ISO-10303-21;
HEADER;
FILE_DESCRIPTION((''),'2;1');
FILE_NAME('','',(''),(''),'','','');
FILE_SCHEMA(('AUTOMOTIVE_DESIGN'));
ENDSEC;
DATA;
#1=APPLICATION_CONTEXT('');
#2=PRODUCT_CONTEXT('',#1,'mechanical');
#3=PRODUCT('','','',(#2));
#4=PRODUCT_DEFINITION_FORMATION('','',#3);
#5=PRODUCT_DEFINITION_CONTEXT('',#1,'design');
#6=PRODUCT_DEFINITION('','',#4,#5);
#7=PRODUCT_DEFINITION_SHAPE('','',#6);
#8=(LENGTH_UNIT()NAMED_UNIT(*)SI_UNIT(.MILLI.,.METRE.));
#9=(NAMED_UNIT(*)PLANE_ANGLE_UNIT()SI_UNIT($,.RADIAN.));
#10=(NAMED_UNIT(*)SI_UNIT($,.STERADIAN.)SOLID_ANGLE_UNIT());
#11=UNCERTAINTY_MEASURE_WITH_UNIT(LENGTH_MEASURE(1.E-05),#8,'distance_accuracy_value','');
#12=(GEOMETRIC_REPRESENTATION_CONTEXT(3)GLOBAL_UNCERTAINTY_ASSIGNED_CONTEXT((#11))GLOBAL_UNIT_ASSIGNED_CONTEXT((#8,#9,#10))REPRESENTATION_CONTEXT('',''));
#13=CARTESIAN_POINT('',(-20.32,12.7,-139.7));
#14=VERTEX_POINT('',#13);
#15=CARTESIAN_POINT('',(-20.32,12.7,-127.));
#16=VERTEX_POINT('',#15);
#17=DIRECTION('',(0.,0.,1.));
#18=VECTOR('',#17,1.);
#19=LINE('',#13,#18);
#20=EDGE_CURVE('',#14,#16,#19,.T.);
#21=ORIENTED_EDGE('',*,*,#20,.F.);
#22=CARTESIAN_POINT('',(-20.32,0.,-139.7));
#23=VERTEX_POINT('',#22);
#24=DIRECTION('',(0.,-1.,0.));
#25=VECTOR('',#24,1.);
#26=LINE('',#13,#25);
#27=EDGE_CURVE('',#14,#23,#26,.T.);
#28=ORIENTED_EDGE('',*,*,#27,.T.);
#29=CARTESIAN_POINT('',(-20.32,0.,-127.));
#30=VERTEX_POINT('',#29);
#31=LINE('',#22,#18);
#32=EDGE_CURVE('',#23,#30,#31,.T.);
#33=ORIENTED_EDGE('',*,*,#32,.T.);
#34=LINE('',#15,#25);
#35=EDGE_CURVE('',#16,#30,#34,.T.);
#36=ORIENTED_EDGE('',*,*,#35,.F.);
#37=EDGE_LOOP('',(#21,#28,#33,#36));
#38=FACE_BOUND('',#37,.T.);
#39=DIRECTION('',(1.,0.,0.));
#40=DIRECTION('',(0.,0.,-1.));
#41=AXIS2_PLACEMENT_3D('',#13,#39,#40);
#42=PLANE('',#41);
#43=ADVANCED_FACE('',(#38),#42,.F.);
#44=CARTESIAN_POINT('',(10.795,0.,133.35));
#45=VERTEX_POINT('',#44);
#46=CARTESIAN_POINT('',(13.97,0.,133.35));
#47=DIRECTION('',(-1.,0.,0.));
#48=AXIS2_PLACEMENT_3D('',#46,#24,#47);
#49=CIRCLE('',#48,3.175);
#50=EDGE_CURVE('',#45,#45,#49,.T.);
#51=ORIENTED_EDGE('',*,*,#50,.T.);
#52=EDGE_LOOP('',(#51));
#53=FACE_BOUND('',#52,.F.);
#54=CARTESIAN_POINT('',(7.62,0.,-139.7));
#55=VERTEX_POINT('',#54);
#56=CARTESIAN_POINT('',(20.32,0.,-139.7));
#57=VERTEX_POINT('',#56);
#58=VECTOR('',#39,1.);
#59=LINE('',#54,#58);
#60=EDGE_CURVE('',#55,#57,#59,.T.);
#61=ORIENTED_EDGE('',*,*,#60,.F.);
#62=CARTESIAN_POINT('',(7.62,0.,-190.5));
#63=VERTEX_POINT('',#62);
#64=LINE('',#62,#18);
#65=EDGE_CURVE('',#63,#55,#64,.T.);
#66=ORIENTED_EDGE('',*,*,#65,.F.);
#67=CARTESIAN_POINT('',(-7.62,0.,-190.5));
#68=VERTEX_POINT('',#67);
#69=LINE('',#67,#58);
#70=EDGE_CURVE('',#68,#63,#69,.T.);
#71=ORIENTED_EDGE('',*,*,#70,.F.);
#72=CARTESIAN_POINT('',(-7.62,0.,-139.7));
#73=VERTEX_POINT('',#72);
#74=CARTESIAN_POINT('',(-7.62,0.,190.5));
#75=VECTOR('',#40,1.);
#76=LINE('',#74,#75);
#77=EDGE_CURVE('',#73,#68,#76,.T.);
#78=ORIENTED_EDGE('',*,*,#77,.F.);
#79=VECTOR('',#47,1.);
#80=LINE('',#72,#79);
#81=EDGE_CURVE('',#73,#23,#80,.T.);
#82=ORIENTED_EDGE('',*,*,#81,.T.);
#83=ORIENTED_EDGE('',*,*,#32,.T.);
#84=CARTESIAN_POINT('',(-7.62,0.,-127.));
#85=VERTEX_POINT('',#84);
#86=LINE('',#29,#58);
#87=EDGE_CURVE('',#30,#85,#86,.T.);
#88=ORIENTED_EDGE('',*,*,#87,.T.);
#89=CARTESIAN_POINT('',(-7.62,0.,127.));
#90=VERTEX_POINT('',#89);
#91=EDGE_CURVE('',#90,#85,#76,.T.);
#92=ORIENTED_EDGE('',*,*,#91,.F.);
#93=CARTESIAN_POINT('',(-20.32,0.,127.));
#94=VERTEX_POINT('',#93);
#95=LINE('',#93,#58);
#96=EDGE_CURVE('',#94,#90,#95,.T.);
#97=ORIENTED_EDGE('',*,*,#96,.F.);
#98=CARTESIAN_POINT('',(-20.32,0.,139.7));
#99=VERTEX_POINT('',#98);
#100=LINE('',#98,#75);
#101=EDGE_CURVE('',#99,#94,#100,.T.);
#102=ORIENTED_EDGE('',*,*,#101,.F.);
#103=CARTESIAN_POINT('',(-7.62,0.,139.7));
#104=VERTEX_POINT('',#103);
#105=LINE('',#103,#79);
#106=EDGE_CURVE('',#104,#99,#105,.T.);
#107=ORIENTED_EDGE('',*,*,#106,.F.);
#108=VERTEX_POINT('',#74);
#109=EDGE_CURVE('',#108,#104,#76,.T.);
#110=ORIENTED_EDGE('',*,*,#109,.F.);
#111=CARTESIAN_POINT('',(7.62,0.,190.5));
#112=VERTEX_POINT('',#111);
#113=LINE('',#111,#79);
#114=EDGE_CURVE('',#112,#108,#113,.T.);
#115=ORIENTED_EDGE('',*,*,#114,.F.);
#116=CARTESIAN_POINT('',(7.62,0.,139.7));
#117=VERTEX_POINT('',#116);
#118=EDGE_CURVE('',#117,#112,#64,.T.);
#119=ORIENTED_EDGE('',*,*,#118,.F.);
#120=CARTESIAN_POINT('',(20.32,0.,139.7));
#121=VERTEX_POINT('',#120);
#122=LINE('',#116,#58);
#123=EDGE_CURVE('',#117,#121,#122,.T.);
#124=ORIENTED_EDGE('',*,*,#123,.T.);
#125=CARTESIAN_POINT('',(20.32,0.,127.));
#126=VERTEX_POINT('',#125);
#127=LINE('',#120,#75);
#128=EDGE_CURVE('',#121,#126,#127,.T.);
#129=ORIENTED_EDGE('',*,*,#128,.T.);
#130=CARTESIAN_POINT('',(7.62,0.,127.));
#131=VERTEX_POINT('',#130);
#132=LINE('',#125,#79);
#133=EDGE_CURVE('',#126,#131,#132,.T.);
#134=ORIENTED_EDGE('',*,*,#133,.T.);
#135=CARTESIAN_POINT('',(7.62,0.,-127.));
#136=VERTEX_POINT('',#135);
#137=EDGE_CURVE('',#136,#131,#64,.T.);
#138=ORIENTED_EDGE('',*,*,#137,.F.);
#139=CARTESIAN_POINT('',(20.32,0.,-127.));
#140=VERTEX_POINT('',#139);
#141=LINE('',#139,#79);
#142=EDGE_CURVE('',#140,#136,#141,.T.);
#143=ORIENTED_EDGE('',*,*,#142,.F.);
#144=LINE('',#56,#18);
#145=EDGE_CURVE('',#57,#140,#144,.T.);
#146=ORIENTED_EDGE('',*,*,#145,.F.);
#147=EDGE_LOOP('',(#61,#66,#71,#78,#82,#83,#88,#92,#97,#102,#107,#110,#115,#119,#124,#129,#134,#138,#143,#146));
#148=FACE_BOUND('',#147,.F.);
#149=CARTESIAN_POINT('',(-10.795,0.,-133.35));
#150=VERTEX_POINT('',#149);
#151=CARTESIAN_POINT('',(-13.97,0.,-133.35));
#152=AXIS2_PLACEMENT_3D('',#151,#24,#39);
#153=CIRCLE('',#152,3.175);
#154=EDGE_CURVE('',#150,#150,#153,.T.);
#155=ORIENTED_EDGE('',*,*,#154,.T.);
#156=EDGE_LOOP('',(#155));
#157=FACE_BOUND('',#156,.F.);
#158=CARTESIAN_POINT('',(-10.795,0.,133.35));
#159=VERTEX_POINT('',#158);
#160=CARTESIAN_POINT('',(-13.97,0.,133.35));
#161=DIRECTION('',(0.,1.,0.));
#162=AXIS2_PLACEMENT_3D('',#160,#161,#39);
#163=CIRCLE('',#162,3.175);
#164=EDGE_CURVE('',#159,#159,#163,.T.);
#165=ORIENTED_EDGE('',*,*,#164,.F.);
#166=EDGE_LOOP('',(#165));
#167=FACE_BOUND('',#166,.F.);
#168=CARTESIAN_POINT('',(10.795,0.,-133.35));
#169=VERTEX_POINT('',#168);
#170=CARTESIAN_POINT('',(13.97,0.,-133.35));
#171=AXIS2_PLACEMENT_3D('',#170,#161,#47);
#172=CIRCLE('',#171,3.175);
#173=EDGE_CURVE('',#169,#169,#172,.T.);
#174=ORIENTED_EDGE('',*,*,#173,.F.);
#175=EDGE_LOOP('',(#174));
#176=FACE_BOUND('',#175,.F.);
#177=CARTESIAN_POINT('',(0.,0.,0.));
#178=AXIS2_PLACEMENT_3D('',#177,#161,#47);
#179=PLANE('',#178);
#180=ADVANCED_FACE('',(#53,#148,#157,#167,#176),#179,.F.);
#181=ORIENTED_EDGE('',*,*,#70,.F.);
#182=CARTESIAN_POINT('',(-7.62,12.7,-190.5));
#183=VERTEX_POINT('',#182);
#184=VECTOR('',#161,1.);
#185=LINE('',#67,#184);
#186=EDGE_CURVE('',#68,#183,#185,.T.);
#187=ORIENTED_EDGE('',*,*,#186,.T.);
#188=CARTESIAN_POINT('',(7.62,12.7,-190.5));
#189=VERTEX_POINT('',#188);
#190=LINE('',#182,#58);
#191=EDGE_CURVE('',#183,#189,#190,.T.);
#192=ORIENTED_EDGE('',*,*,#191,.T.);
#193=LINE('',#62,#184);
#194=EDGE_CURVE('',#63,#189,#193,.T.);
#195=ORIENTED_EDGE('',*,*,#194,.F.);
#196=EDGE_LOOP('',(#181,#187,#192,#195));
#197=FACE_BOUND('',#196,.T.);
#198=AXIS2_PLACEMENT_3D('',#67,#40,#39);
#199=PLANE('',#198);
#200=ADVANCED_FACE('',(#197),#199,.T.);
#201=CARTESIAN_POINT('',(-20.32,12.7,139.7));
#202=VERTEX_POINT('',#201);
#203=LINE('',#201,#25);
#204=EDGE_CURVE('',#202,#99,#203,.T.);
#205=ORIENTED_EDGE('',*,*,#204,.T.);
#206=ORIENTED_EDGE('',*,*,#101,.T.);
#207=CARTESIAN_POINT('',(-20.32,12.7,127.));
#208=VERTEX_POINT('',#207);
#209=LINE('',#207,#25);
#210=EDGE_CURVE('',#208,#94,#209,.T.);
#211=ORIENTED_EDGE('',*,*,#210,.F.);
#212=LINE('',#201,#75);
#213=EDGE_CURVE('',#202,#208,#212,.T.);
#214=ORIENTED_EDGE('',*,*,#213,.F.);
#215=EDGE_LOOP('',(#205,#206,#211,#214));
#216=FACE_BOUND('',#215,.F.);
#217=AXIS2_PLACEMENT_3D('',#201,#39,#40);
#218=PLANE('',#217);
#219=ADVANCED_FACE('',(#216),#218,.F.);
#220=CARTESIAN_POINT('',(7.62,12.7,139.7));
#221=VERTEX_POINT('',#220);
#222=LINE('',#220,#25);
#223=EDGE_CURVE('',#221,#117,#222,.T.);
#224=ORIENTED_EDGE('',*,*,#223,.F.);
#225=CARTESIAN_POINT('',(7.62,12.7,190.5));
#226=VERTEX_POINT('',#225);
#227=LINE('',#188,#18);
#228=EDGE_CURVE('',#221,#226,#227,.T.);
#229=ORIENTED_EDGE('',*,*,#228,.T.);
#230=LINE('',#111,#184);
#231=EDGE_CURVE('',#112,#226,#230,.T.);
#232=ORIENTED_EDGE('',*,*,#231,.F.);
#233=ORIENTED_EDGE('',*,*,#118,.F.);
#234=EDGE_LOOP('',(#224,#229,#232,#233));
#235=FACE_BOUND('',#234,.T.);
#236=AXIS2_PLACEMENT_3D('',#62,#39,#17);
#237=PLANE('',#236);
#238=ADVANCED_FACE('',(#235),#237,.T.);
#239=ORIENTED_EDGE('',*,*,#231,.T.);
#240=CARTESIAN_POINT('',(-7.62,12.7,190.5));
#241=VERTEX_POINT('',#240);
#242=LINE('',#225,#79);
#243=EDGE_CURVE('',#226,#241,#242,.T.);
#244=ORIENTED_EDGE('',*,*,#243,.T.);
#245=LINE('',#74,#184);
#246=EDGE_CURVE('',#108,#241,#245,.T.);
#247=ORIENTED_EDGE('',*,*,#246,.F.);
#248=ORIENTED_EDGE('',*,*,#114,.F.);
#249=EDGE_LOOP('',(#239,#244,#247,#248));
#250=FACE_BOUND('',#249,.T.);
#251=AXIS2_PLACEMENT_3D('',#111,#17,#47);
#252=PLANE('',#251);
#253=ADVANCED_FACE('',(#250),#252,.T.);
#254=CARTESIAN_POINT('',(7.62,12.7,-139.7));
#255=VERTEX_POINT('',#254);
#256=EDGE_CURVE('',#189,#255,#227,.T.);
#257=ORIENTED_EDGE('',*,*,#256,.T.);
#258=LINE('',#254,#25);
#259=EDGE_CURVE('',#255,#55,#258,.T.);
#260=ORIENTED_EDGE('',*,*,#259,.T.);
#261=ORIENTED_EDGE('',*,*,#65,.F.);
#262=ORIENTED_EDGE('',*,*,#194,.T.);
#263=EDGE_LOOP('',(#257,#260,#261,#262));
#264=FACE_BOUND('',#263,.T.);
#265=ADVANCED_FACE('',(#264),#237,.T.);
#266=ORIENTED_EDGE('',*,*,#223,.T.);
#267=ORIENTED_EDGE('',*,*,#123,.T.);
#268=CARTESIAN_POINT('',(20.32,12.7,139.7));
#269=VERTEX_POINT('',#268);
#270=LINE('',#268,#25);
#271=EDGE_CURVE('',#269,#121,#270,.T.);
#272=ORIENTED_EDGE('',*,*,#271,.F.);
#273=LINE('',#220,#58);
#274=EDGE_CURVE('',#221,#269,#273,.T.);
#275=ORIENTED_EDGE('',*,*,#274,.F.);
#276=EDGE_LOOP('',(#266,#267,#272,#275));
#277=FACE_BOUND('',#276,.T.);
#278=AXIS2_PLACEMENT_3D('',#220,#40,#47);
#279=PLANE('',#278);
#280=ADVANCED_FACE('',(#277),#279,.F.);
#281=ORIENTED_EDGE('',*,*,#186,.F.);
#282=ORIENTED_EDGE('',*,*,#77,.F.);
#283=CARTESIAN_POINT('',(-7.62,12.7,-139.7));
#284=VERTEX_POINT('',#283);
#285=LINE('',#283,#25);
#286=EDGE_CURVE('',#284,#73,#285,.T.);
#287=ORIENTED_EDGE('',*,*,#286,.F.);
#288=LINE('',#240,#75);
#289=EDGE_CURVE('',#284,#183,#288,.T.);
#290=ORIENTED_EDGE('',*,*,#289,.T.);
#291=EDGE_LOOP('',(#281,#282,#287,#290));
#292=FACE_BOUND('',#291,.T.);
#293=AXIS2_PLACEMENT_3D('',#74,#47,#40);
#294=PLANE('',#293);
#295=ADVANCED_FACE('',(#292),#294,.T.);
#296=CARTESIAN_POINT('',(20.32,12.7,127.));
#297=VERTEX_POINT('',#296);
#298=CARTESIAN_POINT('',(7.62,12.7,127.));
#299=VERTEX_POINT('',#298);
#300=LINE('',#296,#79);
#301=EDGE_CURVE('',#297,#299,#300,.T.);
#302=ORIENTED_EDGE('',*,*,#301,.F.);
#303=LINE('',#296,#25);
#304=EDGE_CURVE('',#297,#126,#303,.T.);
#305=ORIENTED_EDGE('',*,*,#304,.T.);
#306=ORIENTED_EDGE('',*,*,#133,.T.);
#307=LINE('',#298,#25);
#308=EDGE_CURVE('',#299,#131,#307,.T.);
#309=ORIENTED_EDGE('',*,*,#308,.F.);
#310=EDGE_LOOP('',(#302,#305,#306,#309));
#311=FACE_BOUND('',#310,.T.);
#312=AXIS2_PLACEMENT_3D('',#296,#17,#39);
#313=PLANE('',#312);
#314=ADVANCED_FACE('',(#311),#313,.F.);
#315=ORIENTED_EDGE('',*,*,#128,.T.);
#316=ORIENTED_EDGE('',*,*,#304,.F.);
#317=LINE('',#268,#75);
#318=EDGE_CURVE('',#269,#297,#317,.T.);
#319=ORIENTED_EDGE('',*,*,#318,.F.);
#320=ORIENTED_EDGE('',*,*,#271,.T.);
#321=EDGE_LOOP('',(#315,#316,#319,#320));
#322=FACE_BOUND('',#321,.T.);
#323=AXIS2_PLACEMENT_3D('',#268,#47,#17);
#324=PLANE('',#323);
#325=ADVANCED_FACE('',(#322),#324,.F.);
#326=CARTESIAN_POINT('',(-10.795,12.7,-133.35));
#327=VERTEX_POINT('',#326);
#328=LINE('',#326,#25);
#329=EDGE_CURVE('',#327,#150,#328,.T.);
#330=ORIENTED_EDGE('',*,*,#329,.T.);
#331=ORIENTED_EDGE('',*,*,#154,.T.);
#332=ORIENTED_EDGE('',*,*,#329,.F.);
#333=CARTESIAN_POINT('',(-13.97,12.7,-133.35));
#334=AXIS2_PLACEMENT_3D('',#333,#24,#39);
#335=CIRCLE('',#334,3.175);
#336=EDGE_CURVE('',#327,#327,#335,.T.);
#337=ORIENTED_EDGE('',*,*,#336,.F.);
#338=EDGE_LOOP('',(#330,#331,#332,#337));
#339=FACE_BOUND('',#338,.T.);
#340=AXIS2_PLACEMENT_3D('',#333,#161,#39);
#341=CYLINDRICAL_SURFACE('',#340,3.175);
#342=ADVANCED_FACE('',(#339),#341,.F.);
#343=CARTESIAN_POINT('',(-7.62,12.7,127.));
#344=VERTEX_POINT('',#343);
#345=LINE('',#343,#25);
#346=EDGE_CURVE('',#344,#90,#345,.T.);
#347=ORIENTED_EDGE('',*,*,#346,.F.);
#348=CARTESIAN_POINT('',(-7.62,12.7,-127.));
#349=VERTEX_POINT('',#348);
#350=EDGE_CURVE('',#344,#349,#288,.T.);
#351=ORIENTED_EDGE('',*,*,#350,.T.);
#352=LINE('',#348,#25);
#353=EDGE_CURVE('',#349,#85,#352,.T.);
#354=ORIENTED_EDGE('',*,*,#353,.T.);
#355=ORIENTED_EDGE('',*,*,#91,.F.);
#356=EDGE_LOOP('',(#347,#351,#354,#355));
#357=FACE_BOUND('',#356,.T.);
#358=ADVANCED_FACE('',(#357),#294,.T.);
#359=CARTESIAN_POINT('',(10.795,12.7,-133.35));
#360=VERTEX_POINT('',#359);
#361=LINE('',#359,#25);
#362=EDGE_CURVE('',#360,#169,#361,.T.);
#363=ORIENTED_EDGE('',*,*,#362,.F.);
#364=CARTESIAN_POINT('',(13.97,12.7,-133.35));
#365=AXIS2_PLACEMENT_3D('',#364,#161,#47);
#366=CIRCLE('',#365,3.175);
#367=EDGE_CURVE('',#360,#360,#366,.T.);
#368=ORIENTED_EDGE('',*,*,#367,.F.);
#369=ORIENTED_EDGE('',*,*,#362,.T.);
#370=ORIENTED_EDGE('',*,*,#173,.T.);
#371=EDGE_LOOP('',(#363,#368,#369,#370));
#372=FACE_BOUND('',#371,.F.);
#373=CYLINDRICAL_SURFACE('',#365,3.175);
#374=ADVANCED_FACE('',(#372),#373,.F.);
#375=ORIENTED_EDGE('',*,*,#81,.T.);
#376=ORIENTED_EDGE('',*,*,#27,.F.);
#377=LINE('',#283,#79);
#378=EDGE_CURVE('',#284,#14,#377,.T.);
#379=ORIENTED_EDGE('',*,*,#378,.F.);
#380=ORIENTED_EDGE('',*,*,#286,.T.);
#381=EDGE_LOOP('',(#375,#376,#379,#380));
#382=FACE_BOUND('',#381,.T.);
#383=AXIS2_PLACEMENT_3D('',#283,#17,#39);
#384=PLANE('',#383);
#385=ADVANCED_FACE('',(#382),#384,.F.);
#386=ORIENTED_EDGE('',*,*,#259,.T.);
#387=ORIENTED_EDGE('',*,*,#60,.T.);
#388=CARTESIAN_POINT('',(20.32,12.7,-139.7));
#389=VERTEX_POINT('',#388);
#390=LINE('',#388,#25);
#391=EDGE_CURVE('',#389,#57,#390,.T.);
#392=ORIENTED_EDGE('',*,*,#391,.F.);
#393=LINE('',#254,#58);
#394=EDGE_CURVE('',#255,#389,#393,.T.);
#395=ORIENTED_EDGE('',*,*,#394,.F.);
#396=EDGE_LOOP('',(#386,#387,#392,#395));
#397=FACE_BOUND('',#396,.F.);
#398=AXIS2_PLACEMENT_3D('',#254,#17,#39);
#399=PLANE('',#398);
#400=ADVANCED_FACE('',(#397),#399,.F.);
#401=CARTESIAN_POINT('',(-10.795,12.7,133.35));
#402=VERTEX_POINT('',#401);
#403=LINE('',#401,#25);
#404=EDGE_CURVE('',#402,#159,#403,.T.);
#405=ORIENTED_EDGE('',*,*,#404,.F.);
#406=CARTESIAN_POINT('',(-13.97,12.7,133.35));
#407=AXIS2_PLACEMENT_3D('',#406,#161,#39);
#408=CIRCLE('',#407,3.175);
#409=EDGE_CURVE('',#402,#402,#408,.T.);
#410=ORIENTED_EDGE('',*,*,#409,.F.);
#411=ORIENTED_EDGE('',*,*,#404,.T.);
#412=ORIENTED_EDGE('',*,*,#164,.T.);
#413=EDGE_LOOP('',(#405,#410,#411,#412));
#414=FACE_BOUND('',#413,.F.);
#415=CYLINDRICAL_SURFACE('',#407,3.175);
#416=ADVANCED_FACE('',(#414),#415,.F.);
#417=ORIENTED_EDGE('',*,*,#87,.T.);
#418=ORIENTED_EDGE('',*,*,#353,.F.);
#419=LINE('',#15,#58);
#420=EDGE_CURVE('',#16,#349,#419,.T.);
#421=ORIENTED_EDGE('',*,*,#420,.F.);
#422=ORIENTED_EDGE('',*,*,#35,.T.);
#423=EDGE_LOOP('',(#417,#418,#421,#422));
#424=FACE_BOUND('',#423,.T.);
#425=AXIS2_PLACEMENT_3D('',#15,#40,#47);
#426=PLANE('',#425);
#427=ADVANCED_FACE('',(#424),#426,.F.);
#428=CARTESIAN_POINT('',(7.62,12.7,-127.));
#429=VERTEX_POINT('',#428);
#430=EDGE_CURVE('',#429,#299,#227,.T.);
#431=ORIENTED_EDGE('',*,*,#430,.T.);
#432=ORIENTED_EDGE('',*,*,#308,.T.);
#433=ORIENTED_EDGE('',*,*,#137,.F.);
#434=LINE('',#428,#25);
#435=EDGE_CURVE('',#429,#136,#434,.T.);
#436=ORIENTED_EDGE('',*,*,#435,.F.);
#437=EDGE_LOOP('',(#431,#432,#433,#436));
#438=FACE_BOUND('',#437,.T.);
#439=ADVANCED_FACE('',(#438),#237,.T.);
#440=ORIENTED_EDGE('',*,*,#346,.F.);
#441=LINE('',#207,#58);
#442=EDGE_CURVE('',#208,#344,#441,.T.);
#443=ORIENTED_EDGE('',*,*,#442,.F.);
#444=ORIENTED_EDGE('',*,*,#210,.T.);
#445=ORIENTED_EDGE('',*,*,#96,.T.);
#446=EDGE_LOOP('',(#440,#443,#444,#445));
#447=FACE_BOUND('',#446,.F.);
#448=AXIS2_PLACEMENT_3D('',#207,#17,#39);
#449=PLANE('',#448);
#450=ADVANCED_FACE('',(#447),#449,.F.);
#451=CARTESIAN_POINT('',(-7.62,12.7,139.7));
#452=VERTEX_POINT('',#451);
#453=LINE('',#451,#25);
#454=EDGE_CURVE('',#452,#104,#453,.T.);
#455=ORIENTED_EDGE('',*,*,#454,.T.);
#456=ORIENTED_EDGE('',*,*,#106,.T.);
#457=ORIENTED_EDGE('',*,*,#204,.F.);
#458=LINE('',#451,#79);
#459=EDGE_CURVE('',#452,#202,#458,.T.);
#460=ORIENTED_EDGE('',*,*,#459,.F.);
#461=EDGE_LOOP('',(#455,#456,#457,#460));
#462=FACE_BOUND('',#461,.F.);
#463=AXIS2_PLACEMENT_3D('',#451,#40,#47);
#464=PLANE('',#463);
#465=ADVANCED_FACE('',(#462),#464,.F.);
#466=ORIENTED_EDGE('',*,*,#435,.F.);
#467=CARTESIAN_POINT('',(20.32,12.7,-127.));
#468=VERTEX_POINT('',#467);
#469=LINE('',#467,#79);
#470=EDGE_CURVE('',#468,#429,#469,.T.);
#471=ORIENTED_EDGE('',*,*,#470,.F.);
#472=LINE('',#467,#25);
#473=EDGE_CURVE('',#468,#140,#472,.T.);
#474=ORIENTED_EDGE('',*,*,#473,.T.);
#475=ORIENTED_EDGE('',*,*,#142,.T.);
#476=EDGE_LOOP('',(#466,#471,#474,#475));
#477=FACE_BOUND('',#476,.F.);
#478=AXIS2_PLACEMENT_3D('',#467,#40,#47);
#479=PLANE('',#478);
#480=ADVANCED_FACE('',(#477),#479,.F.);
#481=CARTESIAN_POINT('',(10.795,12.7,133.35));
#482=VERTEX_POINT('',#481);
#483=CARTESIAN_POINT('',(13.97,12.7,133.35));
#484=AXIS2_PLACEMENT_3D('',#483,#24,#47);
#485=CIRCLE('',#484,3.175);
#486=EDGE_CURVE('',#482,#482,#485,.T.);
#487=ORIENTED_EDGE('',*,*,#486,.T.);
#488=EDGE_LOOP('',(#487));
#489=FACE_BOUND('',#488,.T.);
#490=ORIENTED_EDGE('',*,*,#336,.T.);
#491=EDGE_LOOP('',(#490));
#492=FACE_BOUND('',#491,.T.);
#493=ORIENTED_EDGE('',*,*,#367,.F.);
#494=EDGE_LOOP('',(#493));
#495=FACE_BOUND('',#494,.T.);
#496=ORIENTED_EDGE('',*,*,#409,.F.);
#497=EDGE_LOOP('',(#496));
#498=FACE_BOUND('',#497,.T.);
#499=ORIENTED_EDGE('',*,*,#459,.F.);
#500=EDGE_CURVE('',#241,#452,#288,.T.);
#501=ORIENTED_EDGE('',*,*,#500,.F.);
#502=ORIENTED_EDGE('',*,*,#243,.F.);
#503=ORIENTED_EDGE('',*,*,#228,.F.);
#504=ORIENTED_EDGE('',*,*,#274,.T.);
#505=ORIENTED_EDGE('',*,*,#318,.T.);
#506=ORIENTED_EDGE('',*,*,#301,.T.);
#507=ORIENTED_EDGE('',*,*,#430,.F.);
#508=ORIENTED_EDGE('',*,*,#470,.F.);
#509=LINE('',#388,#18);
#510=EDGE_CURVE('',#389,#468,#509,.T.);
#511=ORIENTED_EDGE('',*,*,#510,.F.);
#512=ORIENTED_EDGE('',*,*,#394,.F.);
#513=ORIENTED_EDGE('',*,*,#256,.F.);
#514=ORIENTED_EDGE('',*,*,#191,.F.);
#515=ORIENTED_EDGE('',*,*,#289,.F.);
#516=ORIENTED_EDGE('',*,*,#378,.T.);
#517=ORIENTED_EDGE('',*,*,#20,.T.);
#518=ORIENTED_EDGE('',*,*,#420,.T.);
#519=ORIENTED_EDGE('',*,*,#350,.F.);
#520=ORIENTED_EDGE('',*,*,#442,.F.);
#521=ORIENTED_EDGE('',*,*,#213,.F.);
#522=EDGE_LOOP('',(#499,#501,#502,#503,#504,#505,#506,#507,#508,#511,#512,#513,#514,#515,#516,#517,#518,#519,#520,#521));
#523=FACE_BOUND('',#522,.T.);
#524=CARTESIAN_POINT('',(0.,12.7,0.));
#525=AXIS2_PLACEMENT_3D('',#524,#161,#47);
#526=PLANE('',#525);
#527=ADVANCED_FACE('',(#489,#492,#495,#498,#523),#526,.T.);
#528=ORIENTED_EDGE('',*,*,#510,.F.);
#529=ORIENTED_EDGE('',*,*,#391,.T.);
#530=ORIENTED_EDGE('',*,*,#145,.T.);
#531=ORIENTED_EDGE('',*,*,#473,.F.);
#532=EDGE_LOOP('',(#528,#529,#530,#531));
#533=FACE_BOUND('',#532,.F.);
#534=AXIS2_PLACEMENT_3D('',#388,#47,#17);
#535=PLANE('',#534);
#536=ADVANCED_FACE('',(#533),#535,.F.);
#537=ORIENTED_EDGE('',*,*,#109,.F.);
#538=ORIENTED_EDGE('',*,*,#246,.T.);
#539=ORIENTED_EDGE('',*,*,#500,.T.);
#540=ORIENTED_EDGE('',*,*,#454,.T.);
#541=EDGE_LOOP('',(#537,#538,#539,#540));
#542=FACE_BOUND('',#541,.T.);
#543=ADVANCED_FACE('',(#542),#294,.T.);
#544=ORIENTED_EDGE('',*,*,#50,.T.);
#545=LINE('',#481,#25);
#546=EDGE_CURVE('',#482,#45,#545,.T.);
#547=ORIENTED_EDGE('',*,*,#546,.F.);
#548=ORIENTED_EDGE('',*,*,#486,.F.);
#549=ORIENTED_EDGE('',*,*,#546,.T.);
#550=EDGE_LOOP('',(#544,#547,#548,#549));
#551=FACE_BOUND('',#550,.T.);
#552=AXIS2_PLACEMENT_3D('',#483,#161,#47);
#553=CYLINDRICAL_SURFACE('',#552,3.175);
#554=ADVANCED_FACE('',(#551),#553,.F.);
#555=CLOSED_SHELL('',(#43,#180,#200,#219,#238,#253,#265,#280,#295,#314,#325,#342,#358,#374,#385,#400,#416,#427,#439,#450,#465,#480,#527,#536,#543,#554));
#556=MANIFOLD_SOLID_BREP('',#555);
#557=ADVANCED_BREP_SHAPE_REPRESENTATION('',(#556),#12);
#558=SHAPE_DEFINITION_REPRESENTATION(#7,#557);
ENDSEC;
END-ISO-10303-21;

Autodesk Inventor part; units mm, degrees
ref_plane "YZ Plane" through (0, 0, 0) normal (1, 0, 0) x (0, 1, 0)
ref_plane "XZ Plane" through (0, 0, 0) normal (0, 1, 0) x (-1, 0, 0)
ref_plane "XY Plane" through (0, 0, 0) normal (0, 0, 1) x (1, 0, 0)
sketch "Sketch1" plane through (0, 0, 0) normal (0, 1, 0) x (-1, 0, 0)
  line L0 (-7.62, 190.5) -> (7.62, 190.5)
  line L1 (7.62, 190.5) -> (7.62, -190.5)
  line L2 (7.62, -190.5) -> (-7.62, -190.5)
  line L3 (-7.62, -190.5) -> (-7.62, 190.5)
  line L4 (-7.62, 190.5) -> (7.62, -190.5) construction
  line L5 (7.62, 190.5) -> (-7.62, -190.5) construction
  point P0 (0, 0)
  dimension "d0" = 15.24
  dimension "d1" = 381
extrude "Extrusion1" add sketch "Sketch1" along normal blind 12.7
sketch "Sketch2" plane through (0, 12.7, 0) normal (0, 1, 0) x (1, 0, 0)
  line L0 (-7.62, 190.5) -> (-7.62, -190.5) projected
  line L1 (-7.62, -139.7) -> (-20.32, -139.7)
  line L2 (-20.32, -139.7) -> (-20.32, -127)
  line L3 (-20.32, -127) -> (-7.62, -127)
  line L4 (-7.62, -127) -> (-7.62, -139.7)
  circle A0 centre (-13.97, -133.35) radius 3.175
  point P0 (0, 0)
  dimension "d4" = 12.7
  dimension "d5" = 12.7
  dimension "d6" = 127
  dimension "d7" = 6.35
  dimension "d8" = 6.35
  dimension "d9" = 6.35
extrude "Extrusion2" add sketch "Sketch2" against normal up to surface (12.7 mm away)
mirror "Mirror1" about plane through (0, 0, 0) normal (1, 0, 0) of "Extrusion2"
mirror "Mirror2" about plane through (0, 0, 0) normal (0, 0, 1) of "Extrusion2", "Mirror1"
equation "\"d8\" = 0.5 * d4"
equation "\"d9\" = 0.5 * d5"
properties part number "Rack Bottom"
